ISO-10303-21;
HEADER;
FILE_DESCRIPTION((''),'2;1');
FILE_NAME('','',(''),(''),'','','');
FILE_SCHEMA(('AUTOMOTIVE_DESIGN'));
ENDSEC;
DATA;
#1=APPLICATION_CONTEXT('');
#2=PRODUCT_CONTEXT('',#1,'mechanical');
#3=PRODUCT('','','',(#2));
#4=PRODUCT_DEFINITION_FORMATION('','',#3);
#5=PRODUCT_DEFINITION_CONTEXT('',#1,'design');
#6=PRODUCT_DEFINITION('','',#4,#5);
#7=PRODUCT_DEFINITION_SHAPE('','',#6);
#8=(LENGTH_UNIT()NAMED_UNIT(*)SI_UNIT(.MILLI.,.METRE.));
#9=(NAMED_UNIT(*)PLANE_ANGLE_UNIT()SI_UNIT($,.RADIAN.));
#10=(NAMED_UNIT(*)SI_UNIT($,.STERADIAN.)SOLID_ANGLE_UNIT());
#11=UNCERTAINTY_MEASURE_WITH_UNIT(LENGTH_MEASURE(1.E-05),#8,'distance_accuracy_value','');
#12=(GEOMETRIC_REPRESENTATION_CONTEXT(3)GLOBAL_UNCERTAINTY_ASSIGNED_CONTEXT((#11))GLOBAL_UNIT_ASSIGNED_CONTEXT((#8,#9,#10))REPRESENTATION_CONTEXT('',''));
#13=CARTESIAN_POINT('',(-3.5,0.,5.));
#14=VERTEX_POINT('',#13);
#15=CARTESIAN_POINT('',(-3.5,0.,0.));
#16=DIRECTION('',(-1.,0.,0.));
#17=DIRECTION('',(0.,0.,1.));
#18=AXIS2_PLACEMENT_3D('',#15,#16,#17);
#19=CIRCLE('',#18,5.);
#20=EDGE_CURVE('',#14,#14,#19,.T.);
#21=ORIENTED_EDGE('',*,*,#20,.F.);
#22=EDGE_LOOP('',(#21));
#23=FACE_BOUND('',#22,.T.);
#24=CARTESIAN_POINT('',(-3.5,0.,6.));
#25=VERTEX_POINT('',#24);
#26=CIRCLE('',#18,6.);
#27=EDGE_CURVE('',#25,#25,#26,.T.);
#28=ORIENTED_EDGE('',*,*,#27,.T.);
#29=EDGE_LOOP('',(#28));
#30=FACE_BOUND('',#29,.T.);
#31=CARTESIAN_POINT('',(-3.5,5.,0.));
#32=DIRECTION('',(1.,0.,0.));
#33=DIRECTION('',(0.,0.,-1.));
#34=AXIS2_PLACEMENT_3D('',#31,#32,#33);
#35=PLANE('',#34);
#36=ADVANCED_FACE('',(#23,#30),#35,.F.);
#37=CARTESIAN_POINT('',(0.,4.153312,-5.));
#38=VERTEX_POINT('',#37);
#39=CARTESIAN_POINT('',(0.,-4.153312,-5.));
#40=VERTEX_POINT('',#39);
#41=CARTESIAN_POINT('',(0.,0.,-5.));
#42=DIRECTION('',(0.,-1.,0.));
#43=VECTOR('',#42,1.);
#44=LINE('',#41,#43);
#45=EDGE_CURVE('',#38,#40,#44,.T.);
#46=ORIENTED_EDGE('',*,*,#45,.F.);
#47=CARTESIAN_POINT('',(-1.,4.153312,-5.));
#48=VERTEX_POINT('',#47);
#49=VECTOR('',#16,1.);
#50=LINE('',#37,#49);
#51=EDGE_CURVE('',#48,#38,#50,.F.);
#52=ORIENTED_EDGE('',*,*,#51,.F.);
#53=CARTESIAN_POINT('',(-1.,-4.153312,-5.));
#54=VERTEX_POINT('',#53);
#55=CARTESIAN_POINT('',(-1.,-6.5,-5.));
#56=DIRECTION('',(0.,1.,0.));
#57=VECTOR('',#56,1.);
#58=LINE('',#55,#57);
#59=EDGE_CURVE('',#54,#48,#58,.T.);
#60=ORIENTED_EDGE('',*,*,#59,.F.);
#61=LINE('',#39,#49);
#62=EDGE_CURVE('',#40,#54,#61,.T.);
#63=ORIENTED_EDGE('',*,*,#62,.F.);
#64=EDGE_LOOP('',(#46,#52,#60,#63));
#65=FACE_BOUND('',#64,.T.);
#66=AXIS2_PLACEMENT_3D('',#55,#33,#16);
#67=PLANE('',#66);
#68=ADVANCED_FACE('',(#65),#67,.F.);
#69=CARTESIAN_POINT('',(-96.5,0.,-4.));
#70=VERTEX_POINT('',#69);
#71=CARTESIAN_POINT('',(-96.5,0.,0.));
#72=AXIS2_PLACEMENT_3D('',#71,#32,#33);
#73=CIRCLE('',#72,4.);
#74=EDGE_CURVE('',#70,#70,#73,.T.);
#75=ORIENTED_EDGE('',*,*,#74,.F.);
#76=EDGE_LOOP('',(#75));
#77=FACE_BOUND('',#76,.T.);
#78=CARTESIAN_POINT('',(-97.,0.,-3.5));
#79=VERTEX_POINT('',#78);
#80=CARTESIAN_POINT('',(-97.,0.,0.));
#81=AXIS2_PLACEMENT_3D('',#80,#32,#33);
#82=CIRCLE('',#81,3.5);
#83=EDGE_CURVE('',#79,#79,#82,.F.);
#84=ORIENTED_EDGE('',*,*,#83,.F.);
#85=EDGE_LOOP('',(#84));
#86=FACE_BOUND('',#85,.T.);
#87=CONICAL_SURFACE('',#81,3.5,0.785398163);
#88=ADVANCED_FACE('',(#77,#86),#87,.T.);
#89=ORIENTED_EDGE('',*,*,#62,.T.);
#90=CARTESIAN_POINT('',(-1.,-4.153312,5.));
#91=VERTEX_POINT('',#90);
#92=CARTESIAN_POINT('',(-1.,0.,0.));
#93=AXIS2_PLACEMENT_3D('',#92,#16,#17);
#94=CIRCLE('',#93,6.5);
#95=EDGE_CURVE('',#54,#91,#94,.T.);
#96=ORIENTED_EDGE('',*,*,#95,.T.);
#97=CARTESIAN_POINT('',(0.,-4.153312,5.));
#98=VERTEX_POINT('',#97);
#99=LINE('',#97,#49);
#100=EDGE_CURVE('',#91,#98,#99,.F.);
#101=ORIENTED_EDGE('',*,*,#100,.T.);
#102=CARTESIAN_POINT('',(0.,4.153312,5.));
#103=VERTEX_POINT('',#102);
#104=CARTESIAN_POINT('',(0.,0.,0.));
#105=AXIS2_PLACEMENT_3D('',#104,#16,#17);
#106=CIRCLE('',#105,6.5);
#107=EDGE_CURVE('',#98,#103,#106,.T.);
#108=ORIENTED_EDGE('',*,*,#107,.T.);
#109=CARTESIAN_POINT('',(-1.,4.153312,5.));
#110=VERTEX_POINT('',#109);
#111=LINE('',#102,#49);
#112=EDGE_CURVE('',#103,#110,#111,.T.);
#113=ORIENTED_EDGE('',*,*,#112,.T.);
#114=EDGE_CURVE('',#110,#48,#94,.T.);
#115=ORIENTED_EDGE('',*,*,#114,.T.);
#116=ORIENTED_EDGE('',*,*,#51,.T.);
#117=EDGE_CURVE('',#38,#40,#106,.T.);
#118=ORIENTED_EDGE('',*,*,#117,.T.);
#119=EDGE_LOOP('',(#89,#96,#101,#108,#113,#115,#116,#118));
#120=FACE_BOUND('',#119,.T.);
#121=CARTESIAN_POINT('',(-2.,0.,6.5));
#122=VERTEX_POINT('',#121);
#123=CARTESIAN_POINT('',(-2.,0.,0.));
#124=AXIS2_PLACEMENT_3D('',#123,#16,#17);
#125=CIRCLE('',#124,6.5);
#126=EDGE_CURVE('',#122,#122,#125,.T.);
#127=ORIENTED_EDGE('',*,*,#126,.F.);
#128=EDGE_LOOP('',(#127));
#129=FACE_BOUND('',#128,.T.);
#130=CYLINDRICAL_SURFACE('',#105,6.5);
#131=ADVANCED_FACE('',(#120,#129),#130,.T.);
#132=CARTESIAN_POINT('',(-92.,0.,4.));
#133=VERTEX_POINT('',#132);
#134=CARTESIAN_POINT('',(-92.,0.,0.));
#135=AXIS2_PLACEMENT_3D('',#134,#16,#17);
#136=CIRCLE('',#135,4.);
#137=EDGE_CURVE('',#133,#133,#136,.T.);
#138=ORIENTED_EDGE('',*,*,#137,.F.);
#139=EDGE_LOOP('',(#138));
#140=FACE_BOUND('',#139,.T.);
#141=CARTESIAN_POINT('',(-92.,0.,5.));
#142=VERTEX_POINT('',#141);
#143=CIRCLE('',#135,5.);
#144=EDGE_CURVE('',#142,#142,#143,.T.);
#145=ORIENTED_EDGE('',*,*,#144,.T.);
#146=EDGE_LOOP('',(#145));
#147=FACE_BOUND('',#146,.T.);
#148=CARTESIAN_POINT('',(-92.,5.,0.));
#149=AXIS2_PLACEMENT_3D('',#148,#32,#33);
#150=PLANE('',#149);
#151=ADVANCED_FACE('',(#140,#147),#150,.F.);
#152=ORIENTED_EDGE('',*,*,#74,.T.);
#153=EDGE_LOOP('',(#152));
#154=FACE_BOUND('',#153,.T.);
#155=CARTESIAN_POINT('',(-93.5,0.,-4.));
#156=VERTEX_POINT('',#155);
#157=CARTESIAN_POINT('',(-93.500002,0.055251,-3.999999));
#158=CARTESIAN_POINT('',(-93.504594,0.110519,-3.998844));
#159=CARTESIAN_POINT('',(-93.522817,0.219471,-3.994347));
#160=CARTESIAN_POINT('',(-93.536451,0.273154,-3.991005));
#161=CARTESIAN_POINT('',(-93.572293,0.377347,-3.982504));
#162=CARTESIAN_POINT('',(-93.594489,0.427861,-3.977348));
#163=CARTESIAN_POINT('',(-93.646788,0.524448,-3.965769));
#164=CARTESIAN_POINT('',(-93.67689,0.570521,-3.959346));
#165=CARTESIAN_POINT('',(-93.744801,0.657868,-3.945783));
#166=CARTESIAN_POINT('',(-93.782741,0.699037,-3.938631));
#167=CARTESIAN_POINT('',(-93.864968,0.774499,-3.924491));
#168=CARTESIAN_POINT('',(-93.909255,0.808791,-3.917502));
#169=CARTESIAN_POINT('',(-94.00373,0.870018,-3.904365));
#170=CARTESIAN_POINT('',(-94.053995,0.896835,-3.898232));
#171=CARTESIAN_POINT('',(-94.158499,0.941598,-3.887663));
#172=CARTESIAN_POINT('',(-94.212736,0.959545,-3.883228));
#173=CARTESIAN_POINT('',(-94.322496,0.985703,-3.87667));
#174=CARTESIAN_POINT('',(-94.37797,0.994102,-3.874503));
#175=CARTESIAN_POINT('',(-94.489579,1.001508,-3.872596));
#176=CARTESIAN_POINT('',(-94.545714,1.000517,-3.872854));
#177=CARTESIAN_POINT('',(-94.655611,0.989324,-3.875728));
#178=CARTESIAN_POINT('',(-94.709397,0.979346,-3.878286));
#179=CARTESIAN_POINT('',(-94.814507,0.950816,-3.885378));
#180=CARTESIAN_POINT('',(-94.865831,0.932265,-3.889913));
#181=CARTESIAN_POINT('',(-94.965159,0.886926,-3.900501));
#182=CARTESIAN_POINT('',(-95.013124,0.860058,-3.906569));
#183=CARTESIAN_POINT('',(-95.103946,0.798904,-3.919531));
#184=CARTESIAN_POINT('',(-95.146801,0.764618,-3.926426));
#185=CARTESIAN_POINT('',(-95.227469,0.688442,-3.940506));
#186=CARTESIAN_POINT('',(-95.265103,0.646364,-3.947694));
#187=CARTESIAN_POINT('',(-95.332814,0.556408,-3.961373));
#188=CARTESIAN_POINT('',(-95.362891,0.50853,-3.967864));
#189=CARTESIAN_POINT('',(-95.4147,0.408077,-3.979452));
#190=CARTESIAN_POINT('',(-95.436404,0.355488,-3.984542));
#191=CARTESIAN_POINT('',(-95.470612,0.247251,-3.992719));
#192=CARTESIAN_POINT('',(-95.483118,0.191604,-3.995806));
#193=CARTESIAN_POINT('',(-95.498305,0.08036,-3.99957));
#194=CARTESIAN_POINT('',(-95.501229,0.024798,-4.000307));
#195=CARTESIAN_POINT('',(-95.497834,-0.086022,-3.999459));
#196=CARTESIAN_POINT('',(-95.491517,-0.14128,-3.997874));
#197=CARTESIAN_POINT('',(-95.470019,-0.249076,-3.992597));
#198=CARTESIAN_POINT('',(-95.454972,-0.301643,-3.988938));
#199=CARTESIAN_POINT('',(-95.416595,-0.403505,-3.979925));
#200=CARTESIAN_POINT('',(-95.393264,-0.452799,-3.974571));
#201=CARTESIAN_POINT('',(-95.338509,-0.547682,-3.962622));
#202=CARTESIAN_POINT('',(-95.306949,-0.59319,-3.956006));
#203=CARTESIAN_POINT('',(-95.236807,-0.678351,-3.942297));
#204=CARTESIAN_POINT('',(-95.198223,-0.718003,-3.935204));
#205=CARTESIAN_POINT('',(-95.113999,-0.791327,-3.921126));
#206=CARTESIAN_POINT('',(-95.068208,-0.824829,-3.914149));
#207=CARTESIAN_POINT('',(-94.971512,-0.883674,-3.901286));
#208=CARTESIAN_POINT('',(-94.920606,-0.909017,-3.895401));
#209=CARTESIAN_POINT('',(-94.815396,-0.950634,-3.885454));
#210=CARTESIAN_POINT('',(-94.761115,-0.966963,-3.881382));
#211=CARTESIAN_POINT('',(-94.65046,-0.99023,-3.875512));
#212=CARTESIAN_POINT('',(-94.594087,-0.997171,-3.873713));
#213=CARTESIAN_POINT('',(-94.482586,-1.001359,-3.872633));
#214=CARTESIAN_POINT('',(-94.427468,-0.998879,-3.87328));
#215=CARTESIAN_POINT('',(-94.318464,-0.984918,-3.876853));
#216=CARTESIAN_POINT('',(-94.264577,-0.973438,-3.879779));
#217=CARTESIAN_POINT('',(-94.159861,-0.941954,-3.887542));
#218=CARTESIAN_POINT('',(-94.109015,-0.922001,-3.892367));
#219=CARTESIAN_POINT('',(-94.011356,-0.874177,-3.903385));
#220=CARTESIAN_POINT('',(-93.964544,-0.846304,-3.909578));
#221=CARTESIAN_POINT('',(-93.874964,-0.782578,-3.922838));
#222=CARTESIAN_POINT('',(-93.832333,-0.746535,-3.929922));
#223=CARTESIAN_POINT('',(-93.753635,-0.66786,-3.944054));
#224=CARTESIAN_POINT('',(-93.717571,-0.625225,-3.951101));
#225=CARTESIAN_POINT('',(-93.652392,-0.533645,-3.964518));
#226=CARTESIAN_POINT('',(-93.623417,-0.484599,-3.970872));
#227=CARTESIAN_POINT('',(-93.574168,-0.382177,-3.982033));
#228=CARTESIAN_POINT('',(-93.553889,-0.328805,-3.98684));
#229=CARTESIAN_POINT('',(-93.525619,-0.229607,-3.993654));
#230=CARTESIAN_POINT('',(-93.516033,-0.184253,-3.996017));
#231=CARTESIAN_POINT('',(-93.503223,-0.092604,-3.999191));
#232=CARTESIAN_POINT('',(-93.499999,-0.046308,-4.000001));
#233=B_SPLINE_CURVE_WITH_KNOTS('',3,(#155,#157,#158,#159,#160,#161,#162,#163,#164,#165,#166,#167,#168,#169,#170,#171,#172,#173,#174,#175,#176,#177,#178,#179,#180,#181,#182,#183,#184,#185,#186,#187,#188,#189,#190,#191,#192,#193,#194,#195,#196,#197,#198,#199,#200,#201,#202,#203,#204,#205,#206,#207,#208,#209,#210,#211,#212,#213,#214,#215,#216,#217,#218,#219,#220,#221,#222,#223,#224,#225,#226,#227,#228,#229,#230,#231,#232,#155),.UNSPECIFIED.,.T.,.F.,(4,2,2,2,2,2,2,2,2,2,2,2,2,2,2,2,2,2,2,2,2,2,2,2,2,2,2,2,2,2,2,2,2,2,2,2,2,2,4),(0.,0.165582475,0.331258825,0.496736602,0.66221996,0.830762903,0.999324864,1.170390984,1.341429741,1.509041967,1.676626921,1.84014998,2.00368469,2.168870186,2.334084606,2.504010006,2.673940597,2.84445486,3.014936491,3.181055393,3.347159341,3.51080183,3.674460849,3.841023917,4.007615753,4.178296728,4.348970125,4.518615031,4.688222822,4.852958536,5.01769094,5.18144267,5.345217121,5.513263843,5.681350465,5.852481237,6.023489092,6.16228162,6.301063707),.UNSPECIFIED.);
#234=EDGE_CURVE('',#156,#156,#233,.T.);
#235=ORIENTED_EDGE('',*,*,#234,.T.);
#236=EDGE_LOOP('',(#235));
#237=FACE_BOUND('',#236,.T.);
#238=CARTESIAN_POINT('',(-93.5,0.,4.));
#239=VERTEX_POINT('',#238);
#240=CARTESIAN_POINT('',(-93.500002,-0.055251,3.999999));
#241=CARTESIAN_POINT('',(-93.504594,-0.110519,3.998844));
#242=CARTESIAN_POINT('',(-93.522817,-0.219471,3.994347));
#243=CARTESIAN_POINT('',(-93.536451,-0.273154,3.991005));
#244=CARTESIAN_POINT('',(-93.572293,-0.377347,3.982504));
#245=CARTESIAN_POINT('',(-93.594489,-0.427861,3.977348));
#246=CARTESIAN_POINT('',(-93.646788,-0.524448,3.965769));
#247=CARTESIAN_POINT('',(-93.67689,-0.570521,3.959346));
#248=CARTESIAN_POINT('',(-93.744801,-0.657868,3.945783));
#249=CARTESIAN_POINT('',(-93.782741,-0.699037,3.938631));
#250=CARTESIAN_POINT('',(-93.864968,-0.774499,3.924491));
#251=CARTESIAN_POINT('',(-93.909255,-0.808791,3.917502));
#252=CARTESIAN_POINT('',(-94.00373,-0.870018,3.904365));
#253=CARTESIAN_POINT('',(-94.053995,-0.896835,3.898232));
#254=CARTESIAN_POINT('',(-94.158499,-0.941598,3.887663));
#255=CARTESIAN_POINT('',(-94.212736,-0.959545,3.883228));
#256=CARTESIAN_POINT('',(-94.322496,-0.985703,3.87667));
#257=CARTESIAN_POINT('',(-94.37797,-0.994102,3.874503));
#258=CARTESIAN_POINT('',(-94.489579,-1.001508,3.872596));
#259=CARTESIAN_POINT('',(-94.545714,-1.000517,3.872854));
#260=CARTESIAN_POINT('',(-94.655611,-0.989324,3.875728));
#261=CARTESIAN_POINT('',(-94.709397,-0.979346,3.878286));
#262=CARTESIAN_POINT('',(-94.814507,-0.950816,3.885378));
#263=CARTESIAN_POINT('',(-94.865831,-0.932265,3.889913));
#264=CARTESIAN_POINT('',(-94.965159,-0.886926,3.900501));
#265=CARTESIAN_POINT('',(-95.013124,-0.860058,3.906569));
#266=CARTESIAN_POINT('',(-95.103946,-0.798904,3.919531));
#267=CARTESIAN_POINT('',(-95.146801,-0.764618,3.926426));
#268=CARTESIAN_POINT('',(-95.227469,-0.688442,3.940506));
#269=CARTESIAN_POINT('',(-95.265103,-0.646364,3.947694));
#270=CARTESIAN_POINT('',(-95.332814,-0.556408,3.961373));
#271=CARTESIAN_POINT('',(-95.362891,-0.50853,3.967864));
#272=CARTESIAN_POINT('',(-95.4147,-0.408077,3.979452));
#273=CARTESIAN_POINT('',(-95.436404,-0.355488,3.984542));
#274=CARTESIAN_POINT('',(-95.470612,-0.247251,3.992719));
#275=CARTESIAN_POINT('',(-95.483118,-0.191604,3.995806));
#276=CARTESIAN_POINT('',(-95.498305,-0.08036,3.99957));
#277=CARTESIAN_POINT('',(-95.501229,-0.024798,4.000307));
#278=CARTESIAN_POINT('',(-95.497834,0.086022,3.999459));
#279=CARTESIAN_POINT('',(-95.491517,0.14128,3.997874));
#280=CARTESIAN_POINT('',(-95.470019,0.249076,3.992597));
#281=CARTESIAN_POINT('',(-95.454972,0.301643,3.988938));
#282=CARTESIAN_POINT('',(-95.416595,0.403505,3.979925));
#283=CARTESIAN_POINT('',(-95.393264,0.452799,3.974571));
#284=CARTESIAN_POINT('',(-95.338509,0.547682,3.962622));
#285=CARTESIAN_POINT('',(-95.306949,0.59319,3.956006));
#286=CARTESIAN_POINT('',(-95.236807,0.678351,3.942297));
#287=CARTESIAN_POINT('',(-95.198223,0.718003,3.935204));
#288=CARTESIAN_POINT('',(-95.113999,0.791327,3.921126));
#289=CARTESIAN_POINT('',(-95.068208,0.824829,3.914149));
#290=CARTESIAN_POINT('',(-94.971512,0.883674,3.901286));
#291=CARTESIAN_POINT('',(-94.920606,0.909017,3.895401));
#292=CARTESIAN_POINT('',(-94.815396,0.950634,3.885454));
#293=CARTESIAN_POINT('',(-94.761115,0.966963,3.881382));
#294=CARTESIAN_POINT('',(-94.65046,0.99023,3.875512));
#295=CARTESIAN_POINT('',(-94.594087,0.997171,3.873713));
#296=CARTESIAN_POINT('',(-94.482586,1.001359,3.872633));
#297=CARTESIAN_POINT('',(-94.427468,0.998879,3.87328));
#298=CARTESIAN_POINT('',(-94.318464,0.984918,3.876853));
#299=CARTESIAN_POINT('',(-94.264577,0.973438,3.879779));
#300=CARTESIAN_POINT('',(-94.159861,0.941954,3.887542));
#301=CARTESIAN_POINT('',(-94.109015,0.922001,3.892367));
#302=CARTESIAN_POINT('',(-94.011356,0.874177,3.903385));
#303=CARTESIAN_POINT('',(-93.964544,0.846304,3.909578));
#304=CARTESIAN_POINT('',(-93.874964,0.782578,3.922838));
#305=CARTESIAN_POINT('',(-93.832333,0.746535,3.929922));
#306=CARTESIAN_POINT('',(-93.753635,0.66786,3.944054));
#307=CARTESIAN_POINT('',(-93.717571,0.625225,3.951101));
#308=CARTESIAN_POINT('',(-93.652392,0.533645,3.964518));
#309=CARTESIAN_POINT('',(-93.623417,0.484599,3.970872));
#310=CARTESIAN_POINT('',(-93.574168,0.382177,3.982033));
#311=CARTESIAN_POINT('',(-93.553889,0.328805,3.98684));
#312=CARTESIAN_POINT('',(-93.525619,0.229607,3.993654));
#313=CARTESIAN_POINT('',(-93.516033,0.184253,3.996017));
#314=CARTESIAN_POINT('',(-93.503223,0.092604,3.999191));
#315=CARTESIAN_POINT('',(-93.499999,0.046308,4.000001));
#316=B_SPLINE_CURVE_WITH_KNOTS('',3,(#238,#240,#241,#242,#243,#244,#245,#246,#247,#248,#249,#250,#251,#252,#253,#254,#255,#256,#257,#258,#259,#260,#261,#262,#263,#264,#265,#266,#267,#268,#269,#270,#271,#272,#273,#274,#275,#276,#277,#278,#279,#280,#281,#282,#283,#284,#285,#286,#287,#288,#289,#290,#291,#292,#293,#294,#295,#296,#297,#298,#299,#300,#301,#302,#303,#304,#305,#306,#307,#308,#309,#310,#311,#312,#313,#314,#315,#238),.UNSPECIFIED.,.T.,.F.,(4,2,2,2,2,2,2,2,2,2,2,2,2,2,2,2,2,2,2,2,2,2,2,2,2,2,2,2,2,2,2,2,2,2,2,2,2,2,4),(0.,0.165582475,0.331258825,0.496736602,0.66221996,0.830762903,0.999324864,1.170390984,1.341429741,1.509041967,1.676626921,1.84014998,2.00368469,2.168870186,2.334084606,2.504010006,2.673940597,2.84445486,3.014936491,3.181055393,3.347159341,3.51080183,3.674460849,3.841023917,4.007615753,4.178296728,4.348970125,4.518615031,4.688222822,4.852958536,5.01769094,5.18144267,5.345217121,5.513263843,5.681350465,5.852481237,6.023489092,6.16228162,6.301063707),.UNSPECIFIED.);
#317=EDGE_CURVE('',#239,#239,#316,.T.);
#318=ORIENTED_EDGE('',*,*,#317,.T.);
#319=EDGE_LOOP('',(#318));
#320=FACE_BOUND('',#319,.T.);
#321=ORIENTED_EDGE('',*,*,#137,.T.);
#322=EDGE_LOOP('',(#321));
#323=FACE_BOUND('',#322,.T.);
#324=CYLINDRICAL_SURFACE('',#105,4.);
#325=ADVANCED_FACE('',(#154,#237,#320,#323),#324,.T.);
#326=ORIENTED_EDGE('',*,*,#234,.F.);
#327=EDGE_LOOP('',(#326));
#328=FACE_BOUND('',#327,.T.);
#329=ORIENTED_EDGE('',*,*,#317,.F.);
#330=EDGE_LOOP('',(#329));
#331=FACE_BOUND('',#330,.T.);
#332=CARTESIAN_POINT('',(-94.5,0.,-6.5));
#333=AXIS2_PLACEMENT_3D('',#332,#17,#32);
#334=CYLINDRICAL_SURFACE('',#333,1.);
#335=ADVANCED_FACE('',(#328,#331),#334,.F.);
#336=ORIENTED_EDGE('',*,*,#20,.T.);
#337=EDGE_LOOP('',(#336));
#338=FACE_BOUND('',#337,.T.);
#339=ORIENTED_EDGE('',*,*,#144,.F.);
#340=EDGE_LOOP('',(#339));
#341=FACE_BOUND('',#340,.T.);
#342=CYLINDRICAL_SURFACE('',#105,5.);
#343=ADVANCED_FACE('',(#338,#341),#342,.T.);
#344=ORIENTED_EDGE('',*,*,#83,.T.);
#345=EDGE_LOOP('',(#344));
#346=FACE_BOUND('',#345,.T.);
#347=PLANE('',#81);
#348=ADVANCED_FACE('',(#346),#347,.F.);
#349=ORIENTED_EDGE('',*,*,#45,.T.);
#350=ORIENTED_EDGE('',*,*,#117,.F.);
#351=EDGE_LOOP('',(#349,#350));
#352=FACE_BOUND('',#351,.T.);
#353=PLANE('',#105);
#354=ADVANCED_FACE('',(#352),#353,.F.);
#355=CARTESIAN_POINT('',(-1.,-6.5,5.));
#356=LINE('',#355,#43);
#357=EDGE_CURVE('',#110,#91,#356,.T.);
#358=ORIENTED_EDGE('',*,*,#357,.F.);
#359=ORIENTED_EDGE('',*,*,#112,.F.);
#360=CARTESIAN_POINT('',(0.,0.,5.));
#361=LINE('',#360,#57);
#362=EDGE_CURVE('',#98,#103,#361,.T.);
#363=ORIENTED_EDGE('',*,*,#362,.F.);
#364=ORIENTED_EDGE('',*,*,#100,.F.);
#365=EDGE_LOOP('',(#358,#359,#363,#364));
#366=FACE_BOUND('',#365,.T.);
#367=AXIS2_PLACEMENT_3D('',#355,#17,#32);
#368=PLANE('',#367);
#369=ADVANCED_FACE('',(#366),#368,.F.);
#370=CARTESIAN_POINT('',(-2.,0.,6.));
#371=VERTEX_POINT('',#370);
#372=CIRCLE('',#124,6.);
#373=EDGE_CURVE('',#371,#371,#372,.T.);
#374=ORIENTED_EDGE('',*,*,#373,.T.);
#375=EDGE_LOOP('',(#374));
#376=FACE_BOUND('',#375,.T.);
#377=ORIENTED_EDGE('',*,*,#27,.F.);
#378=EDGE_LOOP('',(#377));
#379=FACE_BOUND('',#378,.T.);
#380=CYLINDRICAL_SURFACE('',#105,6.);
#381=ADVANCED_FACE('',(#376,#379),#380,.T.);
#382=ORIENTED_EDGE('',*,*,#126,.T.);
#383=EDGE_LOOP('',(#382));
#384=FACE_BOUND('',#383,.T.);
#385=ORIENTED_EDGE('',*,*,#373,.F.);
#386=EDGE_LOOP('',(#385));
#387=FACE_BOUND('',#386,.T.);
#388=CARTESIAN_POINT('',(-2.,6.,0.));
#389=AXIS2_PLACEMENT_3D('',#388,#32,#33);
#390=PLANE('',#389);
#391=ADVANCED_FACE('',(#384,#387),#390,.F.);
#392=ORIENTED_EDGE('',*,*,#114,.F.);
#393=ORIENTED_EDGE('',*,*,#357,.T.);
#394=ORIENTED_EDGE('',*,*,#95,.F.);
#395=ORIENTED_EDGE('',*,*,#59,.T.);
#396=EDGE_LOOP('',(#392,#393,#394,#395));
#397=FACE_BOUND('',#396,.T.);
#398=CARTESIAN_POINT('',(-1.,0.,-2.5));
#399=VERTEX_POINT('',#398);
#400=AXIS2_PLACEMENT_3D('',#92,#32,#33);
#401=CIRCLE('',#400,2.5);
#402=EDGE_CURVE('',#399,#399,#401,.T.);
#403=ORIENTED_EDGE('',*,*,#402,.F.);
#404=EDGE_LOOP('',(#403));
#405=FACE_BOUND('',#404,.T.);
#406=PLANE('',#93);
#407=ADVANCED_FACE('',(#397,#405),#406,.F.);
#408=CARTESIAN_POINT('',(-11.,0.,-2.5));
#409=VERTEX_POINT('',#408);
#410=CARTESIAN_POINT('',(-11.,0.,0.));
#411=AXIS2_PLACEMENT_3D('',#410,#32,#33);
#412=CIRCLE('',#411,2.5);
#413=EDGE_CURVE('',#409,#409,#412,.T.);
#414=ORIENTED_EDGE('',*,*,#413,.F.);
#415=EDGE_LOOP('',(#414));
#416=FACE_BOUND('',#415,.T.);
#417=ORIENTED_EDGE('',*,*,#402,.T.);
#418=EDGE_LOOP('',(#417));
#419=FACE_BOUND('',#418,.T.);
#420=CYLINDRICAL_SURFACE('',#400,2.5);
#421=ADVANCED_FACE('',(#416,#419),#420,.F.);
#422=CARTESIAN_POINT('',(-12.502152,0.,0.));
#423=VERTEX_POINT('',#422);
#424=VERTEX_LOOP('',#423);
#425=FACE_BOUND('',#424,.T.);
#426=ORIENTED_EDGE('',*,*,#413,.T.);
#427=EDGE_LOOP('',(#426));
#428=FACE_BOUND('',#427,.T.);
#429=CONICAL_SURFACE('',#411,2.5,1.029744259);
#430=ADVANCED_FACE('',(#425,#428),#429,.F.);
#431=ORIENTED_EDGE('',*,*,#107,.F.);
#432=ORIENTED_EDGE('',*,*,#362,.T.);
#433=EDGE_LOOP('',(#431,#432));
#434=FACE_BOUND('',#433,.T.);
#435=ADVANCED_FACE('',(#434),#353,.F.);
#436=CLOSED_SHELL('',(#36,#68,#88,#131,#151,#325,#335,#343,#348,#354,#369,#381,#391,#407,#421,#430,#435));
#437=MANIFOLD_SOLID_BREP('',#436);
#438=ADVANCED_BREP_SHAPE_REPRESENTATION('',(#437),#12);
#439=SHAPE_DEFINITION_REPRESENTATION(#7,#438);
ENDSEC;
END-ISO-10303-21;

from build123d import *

# Parameters (mm, degrees)
SKETCH4_W               = 10
SKETCH4_H               = 13
CUT_EXTRUDE2_DEPTH      = 1
M6_TAPPED_HOLE1_D       = 5
M6_TAPPED_HOLE1_DEPTH   = 10
M6_TAPPED_HOLE1_TIP     = 1.502151548
SKETCH8_R               = 1
CUT_EXTRUDE3_DEPTH      = 7.5
CUT_EXTRUDE3_DEPTH_BACK = 7.5
CHAMFER1_SIZE           = 0.5


with BuildPart() as part:
    # Sketch1 → Revolve1 (revolve)
    with BuildSketch(Plane.XY):
        Polygon((-97, 0), (-97, 4), (-92, 4), (-92, 5), (-3.5, 5), (-3.5, 6), (-2, 6), (-2, 6.5), (0, 6.5), (0, 0), align=None)
    revolve(axis=Axis((0, 0, 0), (1, 0, 0)))

    # Sketch4 → Cut-Extrude2 (cut)
    with BuildSketch(Plane(origin=(0, 0, 0), x_dir=(0, 0, -1), z_dir=(1, 0, 0))):
        Rectangle(SKETCH4_W, SKETCH4_H)
    extrude(amount=-CUT_EXTRUDE2_DEPTH, mode=Mode.SUBTRACT)

    # M6 Tapped Hole1
    with Locations(Plane(origin=(-1, 0, 0), x_dir=(0, 0, -1), z_dir=(1, 0, 0))):
        with Locations((0, 0)):
            Hole(M6_TAPPED_HOLE1_D / 2, depth=M6_TAPPED_HOLE1_DEPTH)
            with Locations((0, 0, -(M6_TAPPED_HOLE1_DEPTH + M6_TAPPED_HOLE1_TIP / 2))):  # 118° drill point
                Cone(0, M6_TAPPED_HOLE1_D / 2, M6_TAPPED_HOLE1_TIP, mode=Mode.SUBTRACT)

    # Sketch8 → Cut-Extrude3 (cut, two sides)
    with BuildSketch(Plane.XY) as cut_extrude3_sk:
        with Locations((-94.5, 0)):
            Circle(SKETCH8_R)
    extrude(amount=CUT_EXTRUDE3_DEPTH, mode=Mode.SUBTRACT)
    extrude(cut_extrude3_sk.sketch, amount=-CUT_EXTRUDE3_DEPTH_BACK, mode=Mode.SUBTRACT)

    # Chamfer1
    chamfer1_edges = [part.edges().sort_by_distance(p)[0] for p in [
        (-97, -4, 0),
    ]]
    chamfer(chamfer1_edges, length=CHAMFER1_SIZE)


solid = part.part
